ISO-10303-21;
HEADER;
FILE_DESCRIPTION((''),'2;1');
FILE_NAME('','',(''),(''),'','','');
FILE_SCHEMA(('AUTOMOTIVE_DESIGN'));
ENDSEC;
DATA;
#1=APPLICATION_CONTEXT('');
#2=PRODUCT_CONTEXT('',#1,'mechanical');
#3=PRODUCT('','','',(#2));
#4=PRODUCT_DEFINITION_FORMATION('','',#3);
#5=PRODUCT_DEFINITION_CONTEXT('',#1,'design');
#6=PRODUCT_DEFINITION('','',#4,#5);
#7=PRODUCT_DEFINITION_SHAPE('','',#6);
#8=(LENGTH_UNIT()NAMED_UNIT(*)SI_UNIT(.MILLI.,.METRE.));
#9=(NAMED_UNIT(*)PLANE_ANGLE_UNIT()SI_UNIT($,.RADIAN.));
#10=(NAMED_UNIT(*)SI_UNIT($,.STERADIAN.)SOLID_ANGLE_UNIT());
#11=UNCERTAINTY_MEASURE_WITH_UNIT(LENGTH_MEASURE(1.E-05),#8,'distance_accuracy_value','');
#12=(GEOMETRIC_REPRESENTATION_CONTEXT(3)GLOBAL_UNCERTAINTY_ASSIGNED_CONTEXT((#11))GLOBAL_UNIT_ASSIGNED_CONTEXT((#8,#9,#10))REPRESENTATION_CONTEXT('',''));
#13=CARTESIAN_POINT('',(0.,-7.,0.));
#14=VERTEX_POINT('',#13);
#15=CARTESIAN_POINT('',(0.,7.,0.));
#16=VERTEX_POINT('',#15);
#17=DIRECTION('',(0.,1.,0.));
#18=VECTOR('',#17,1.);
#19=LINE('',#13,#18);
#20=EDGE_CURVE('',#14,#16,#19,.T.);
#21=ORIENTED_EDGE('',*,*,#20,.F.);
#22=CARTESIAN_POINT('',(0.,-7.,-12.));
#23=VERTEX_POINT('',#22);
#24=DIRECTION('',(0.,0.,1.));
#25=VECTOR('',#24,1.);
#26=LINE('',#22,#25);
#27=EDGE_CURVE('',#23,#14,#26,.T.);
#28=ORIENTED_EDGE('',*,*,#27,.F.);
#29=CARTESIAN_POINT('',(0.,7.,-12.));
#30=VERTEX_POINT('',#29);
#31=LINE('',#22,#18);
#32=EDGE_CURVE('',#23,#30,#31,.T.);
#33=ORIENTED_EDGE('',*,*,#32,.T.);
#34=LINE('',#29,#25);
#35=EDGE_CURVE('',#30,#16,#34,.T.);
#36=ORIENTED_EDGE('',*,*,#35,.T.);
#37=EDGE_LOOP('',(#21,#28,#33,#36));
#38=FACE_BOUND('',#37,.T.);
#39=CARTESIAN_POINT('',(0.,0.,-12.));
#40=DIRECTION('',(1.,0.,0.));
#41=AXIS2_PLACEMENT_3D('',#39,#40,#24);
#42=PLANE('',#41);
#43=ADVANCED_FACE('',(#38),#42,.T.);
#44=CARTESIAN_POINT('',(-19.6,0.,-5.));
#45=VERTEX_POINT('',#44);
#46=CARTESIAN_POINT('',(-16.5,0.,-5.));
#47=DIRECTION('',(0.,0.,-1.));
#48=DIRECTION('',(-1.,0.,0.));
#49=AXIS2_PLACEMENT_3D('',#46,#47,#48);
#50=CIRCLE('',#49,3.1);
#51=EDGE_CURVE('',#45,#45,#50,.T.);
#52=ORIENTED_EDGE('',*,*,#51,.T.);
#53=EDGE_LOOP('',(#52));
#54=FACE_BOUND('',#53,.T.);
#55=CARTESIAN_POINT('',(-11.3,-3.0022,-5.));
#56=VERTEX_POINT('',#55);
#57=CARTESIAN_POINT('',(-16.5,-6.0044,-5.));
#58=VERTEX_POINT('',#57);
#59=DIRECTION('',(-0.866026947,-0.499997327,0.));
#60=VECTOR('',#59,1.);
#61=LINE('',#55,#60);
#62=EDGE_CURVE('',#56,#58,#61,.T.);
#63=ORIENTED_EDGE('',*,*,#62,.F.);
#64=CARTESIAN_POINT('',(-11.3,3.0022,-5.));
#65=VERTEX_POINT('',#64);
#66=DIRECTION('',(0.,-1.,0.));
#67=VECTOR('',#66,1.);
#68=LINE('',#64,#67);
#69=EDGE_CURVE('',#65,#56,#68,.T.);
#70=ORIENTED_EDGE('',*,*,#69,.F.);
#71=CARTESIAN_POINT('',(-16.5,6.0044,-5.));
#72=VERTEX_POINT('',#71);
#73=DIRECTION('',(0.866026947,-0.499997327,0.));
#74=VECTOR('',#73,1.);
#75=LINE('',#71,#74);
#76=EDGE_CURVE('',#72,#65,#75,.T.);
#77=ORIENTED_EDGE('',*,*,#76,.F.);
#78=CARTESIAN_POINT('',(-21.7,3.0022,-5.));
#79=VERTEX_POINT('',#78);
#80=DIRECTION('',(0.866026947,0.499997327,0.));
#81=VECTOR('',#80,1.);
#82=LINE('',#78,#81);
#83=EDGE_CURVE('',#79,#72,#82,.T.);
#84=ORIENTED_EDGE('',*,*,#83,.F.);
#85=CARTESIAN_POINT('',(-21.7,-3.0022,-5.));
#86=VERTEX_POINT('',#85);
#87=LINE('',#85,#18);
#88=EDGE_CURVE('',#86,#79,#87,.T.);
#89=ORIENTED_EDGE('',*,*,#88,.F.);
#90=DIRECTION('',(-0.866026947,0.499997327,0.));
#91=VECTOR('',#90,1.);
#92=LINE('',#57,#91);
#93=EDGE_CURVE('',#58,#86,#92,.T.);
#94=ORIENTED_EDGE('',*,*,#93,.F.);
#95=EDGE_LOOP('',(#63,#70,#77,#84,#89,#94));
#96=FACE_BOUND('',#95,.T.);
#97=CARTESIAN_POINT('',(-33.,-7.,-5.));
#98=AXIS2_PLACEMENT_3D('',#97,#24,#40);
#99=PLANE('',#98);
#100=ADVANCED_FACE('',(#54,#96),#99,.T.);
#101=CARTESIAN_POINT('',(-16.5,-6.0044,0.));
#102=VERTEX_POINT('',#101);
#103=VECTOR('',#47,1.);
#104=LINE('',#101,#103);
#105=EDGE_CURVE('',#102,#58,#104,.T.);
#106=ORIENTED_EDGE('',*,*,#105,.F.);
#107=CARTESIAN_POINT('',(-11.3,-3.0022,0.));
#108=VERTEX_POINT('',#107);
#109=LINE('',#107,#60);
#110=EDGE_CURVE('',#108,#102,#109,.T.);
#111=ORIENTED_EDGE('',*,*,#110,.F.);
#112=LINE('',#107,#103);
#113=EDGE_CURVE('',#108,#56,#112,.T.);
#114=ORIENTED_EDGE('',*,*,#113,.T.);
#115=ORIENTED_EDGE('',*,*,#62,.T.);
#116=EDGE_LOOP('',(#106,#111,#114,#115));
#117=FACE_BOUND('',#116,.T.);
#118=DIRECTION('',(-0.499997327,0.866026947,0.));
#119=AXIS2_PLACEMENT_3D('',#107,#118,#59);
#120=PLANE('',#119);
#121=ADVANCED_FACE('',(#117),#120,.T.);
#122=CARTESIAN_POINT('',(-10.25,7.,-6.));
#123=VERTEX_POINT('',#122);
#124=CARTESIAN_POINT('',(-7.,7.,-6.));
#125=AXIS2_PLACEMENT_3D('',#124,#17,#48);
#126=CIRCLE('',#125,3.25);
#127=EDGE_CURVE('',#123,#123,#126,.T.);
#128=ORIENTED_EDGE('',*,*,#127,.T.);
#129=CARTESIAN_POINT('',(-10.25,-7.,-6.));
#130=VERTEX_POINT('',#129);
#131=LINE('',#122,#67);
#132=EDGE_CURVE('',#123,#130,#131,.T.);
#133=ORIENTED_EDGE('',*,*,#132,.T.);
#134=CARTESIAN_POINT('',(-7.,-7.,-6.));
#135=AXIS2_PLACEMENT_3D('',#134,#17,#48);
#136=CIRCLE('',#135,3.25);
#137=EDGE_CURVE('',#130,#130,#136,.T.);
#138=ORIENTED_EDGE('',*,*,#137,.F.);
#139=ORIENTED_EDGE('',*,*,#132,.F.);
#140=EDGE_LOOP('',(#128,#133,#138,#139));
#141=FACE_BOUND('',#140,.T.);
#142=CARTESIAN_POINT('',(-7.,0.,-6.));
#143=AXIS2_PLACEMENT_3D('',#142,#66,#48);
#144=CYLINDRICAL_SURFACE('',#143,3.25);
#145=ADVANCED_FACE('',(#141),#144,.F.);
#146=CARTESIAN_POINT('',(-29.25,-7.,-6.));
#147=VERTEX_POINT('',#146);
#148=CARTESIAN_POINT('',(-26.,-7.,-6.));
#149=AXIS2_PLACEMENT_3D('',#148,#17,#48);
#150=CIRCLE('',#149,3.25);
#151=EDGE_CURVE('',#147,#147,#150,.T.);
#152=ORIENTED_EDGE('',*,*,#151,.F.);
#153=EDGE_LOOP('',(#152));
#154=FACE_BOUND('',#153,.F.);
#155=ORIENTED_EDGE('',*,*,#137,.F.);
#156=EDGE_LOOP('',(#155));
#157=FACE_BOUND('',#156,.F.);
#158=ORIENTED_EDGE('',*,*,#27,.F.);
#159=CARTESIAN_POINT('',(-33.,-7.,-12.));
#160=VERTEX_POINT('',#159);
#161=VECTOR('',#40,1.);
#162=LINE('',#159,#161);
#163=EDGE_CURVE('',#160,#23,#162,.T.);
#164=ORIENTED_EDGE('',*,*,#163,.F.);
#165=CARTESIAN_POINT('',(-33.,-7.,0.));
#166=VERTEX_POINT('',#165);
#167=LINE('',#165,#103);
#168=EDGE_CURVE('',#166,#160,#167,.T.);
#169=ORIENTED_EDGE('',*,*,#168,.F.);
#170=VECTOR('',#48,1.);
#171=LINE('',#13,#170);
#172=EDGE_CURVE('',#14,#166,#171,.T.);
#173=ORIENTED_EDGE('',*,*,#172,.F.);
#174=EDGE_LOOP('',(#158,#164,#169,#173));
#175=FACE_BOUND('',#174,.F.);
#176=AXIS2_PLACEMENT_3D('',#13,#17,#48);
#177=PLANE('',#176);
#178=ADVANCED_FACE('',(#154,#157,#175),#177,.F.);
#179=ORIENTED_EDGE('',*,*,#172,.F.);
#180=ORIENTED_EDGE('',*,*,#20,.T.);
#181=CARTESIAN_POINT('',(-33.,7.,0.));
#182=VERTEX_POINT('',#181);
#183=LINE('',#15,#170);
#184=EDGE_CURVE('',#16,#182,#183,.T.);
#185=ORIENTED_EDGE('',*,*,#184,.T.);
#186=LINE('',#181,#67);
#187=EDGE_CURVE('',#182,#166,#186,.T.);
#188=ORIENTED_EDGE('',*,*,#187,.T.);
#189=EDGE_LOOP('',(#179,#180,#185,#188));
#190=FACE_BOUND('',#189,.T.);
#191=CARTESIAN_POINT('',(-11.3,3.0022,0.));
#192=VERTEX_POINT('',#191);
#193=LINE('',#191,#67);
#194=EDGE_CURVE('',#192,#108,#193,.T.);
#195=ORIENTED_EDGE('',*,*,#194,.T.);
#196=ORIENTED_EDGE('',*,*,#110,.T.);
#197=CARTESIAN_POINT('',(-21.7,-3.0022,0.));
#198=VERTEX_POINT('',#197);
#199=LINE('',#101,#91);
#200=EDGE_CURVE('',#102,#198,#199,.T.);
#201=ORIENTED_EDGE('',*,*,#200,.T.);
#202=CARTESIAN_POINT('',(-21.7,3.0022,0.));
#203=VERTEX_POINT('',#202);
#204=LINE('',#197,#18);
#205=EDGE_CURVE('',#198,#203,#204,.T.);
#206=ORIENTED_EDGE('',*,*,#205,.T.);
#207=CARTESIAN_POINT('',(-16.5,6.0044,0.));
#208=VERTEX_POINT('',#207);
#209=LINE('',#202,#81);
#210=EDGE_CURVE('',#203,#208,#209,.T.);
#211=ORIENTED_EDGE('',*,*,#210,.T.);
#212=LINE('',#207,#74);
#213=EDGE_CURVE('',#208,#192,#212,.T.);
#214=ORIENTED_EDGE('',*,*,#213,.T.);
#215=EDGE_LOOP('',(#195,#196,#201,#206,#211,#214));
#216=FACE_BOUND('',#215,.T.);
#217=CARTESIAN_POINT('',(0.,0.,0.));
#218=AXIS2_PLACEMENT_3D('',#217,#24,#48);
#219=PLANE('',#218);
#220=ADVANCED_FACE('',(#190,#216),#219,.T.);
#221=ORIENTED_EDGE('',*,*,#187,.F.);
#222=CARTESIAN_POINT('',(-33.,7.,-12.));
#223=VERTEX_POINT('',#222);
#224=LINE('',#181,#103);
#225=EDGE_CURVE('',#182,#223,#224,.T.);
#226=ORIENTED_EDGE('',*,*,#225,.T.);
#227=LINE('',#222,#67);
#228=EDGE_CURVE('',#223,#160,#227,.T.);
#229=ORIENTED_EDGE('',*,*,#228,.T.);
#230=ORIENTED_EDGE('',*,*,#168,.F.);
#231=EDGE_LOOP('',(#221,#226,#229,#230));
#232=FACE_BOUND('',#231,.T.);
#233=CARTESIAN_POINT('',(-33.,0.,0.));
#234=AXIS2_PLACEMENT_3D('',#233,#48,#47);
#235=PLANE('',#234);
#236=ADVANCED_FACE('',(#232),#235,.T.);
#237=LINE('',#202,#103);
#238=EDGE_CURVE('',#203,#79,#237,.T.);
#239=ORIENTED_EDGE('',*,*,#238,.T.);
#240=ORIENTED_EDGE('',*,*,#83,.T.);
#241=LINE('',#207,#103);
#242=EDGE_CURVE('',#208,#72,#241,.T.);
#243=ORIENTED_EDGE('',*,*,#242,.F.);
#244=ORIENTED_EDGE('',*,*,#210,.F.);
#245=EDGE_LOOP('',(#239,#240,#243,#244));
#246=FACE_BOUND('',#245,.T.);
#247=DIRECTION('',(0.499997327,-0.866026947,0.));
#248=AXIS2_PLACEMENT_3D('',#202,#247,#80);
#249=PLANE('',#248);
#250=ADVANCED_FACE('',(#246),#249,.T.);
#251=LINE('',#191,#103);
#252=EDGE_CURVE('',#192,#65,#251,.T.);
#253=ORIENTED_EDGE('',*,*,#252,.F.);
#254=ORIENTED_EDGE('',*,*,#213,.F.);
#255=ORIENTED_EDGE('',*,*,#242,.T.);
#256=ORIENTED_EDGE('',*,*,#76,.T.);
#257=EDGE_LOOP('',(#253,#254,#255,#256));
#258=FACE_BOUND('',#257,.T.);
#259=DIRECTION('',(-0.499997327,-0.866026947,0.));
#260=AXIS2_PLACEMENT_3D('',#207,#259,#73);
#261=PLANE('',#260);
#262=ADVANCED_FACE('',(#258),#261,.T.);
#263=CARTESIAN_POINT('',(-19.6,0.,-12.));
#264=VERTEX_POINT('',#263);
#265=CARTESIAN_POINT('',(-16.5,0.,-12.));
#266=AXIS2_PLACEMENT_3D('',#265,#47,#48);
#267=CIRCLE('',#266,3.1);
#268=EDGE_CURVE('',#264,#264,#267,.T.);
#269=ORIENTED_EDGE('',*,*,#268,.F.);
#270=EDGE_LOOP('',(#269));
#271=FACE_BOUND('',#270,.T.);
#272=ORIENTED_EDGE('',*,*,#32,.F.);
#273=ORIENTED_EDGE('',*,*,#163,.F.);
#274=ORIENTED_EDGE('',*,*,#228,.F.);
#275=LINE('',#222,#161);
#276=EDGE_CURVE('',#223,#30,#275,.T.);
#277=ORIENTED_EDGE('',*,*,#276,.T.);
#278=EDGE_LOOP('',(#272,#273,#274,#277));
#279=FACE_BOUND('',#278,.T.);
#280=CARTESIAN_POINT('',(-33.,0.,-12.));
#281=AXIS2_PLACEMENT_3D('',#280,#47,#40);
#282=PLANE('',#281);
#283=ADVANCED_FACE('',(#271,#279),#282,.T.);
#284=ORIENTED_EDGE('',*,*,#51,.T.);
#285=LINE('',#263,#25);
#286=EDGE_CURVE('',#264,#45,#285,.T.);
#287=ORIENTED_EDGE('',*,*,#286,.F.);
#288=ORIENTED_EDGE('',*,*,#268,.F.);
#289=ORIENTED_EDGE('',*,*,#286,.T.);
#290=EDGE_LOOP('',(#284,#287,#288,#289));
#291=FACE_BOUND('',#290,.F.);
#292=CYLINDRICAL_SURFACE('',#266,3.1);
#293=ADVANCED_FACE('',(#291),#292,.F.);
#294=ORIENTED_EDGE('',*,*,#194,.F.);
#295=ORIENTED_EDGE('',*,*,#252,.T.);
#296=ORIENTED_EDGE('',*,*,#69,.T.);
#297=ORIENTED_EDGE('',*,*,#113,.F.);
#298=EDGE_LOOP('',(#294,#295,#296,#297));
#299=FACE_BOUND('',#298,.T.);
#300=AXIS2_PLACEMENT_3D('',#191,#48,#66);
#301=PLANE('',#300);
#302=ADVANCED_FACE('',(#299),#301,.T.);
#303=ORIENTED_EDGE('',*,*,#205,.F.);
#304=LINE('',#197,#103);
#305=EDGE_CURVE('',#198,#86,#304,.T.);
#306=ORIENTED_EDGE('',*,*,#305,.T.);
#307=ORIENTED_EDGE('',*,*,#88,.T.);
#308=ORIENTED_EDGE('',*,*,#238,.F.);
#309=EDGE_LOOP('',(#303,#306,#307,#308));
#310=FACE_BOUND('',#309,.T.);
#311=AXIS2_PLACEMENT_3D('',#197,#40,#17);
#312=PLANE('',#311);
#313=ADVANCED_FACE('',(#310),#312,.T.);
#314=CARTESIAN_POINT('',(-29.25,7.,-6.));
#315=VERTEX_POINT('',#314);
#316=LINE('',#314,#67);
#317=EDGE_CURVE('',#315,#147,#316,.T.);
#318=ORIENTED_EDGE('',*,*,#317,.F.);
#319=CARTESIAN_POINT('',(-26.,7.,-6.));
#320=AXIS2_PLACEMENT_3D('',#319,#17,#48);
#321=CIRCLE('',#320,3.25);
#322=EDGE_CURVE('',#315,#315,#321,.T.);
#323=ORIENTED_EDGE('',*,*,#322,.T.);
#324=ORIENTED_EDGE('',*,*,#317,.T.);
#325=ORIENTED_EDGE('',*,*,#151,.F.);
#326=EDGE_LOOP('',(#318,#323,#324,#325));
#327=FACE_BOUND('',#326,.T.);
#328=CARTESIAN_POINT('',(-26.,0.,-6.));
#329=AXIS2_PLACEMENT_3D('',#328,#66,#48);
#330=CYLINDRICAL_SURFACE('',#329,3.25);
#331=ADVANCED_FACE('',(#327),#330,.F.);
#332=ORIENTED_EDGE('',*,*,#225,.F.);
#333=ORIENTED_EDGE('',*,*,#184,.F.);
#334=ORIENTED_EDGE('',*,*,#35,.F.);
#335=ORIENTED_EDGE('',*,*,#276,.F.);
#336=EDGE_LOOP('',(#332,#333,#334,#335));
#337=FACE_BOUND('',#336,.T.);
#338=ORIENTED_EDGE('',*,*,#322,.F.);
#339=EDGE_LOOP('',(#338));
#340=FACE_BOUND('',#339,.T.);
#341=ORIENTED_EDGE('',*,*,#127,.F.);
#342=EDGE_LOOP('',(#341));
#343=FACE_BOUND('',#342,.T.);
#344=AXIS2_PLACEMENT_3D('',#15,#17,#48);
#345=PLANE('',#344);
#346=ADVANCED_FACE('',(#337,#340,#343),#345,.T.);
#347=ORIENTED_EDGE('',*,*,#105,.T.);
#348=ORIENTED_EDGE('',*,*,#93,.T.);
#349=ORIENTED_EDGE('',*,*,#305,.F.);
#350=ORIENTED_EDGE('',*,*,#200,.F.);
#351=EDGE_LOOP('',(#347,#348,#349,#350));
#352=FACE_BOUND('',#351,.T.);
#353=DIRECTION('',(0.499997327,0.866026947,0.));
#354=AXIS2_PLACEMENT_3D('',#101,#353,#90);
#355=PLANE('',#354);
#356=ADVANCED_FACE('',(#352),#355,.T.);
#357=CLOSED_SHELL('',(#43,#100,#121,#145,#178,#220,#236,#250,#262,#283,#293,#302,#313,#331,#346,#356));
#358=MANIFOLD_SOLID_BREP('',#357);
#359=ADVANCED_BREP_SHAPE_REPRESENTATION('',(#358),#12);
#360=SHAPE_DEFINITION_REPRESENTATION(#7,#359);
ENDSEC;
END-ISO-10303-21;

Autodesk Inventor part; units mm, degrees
ref_plane "YZ Plane" through (0, 0, 0) normal (1, 0, 0) x (0, 1, 0)
ref_plane "XZ Plane" through (0, 0, 0) normal (0, 1, 0) x (-1, 0, 0)
ref_plane "XY Plane" through (0, 0, 0) normal (0, 0, 1) x (1, 0, 0)
sketch "Sketch1" plane through (0, 0, 0) normal (0, 1, 0) x (-1, 0, 0)
  line L0 (0, 0) -> (33, 0)
  line L1 (33, 0) -> (33, -12)
  line L2 (33, -12) -> (0, -12)
  line L3 (0, -12) -> (0, 0)
  circle A0 centre (26, -6) radius 3.25
  circle A1 centre (7, -6) radius 3.25
  dimension "d0" = 12
  dimension "d1" = 33
  dimension "d2" = 6.5
  dimension "d3" = 6.5
  dimension "d4" = 7
  dimension "d6" = 6
  dimension "d7" = 6
  dimension "d9" = 19
extrude "Extrusion1" add sketch "Sketch1" along normal mid plane 14
sketch "Sketch2" plane through (0, -7, -12) normal (0, 0, -1) x (-1, 0, 0)
  circle A0 centre (16.5, 7) radius 3.1
  line L0 (33, 14) -> (33, 0) projected
  line L1 (33, 0) -> (0, 0) projected
  point P0 (0, 7)
  dimension "d12" = 6.2
  dimension "d14" = 16.5
  dimension "d20" = 7
extrude "Extrusion2" cut sketch "Sketch2" against normal up to next
sketch "Sketch3" plane through (-33, -7, 0) normal (0, 0, 1) x (1, 0, 0)
  circle A0 centre (16.5, 7) radius 3.1 projected
  line L0 (16.5, 13.0044) -> (21.7, 10.0022)
  line L1 (21.7, 10.0022) -> (21.7, 3.9978)
  line L2 (21.7, 3.9978) -> (16.5, 0.9956)
  line L3 (16.5, 0.9956) -> (11.3, 3.9978)
  line L4 (11.3, 3.9978) -> (11.3, 10.0022)
  line L5 (11.3, 10.0022) -> (16.5, 13.0044)
  line L6 (0, 14) -> (33, 14) projected
  line L7 (0, 14) -> (0, 0) projected
  point P0 (33, 7)
  dimension "d17" = 5.2
extrude "Extrusion3" cut sketch "Sketch3" against normal blind 5
properties part number "smallSprocketFixture" material "ABS Plastic"
